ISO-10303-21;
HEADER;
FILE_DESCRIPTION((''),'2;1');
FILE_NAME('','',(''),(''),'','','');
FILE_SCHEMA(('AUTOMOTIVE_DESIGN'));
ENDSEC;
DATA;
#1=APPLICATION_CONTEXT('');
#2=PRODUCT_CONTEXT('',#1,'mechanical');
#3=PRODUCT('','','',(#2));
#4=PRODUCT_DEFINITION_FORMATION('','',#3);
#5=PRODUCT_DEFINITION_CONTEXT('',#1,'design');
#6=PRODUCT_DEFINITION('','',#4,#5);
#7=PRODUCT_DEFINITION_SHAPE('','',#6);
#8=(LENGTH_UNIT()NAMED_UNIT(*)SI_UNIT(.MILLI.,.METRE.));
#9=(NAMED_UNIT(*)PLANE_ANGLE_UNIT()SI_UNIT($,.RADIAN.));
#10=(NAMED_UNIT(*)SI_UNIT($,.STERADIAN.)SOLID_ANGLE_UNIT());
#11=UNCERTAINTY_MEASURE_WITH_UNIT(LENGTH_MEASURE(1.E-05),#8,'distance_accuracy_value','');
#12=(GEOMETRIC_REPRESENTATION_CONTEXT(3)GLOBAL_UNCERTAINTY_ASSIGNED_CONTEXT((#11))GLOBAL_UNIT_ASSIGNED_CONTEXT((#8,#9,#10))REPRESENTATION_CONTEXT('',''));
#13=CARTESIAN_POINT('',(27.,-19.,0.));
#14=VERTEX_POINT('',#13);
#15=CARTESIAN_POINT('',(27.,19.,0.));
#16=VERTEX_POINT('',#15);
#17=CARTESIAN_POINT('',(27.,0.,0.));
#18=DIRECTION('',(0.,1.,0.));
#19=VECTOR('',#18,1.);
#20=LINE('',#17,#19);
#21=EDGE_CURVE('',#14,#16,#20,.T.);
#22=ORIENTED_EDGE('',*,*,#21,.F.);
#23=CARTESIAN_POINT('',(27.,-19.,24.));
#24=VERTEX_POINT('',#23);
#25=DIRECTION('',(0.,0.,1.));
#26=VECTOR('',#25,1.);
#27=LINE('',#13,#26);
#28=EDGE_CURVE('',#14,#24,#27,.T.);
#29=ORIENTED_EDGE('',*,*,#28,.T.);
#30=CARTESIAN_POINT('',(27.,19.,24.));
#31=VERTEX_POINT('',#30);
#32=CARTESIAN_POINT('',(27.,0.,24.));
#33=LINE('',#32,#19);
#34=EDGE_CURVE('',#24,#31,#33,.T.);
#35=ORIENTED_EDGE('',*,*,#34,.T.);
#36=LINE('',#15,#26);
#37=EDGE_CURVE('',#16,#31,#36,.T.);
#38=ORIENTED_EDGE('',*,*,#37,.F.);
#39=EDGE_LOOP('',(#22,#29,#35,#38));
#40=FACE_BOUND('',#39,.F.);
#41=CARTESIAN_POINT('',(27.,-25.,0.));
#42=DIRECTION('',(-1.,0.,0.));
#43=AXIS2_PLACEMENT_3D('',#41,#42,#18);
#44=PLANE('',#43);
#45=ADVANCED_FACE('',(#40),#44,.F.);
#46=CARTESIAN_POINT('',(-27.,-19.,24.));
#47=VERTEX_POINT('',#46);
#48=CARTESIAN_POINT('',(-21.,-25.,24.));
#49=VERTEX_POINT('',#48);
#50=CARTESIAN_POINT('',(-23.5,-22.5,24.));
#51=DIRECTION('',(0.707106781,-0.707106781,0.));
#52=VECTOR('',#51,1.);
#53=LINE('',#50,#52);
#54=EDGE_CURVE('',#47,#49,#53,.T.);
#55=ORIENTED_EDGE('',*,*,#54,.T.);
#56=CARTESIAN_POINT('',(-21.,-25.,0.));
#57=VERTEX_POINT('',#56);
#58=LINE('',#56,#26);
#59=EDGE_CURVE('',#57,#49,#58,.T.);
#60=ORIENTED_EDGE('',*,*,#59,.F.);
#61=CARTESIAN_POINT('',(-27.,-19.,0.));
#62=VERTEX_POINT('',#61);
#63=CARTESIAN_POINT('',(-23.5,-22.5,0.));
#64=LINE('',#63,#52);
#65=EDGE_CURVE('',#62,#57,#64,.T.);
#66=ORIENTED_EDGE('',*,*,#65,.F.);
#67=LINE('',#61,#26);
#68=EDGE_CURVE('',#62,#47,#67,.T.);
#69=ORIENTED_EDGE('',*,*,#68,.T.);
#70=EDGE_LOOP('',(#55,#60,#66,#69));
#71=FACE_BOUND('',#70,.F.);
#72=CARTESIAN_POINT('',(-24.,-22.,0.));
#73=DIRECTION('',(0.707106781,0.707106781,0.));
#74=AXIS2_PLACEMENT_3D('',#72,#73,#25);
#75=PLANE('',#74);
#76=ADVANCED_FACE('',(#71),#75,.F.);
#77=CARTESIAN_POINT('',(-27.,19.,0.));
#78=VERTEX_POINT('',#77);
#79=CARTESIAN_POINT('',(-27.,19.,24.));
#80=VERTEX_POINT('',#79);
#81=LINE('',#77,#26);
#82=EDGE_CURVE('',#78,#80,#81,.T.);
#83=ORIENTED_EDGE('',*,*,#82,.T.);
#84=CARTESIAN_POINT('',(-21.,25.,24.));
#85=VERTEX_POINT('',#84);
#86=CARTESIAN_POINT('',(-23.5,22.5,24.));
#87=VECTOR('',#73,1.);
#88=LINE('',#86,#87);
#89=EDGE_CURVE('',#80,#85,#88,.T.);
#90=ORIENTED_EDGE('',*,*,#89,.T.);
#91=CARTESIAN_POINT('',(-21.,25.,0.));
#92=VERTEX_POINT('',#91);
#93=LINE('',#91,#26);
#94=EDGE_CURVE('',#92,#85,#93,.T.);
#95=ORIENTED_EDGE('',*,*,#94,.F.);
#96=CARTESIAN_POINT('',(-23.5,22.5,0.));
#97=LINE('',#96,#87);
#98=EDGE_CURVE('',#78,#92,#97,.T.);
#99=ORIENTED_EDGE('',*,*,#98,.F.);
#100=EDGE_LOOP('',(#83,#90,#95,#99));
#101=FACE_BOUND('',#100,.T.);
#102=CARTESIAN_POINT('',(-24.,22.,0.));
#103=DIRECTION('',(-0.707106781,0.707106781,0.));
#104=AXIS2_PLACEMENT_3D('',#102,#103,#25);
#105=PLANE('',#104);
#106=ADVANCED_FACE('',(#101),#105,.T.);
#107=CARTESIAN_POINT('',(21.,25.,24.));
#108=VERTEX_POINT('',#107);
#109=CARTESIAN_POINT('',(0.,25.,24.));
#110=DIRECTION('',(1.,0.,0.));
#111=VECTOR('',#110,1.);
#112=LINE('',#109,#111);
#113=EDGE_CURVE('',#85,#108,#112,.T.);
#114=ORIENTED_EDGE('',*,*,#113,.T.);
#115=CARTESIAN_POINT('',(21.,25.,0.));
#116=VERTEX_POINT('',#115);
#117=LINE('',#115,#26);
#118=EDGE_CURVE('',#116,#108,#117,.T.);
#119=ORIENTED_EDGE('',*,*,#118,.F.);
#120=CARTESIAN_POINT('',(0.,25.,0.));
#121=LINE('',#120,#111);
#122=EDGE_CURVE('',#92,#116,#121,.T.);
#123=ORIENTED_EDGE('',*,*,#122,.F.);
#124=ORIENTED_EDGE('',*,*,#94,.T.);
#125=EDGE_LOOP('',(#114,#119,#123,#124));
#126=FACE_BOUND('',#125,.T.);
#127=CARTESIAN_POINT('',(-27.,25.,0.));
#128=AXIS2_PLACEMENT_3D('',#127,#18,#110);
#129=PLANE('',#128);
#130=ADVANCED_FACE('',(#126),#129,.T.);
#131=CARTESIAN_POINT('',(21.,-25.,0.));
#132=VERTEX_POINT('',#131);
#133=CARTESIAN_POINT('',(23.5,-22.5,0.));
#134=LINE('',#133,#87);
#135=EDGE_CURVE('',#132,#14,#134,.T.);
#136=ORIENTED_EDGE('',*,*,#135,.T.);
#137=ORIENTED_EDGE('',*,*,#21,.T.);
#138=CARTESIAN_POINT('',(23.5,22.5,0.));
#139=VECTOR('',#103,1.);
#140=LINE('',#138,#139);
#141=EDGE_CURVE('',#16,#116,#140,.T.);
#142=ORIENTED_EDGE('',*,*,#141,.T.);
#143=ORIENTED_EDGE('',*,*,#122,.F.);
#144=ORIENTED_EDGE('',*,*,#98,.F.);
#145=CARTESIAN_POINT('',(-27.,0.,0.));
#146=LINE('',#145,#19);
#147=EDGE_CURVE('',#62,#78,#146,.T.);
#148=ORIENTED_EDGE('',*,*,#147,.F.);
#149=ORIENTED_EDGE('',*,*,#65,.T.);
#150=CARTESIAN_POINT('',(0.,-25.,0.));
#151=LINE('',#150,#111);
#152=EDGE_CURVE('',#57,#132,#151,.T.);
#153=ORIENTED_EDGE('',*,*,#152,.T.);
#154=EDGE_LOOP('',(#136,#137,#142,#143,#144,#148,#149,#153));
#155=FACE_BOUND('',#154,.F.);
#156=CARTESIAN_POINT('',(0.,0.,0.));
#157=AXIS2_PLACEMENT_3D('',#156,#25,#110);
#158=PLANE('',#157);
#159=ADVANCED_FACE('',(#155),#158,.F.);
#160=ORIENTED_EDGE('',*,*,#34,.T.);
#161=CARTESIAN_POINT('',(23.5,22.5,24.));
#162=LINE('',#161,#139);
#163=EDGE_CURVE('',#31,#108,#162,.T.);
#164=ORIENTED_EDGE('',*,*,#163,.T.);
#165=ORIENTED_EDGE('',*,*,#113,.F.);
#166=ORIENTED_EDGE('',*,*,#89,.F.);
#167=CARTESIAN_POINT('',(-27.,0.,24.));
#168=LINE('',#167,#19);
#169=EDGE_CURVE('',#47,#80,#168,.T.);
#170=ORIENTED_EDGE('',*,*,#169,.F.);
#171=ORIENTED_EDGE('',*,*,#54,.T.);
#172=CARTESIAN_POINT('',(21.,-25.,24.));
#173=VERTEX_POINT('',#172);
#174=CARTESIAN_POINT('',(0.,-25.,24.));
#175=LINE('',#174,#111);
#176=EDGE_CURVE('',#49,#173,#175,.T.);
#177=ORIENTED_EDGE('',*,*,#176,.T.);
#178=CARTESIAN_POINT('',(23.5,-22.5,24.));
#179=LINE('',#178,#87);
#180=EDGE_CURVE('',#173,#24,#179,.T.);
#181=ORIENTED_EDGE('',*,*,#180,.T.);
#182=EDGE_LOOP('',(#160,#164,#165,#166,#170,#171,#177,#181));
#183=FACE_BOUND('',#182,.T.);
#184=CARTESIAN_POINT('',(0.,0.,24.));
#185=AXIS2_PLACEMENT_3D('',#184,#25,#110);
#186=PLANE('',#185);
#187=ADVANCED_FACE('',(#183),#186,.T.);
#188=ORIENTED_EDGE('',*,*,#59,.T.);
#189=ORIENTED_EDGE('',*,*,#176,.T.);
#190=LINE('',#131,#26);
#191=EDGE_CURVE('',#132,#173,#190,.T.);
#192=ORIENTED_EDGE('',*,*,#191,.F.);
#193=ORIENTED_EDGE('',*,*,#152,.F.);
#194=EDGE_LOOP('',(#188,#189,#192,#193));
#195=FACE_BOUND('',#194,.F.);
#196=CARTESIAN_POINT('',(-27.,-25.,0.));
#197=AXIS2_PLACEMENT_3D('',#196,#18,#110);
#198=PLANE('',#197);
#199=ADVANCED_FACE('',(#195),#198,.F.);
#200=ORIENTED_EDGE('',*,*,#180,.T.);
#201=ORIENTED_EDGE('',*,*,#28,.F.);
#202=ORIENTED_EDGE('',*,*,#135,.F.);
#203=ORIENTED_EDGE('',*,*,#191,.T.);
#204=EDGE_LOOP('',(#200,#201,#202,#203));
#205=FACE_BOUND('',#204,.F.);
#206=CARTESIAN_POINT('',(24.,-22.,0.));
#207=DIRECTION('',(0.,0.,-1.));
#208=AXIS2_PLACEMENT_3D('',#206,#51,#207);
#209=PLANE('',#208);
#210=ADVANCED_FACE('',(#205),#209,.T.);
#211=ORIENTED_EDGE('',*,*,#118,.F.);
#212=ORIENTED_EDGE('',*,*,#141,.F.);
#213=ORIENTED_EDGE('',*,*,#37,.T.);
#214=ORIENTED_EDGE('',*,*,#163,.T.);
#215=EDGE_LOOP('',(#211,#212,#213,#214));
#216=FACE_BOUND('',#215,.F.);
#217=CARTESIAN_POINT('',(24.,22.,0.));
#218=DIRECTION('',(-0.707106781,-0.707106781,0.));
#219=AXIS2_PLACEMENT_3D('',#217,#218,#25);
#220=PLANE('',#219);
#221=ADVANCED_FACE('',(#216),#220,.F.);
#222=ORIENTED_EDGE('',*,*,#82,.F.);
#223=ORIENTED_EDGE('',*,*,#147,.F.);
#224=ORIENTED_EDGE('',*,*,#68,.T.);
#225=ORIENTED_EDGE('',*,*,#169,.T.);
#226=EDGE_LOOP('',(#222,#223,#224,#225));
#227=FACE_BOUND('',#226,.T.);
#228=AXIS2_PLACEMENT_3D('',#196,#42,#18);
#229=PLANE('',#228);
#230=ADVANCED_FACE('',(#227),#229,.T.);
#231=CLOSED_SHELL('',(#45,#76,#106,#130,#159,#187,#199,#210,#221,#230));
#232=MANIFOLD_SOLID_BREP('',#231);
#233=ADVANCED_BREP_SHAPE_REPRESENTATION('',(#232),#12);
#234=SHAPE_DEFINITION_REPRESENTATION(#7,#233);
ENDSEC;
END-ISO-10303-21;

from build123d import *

# Parameters (mm, degrees)
F0_W     = 54
F0_H     = 50
F1_DEPTH = 24
F2_SIZE  = 6


with BuildPart() as f1:
    # F0 (on Top) → F1 (new body)
    with BuildSketch(Plane.XY):
        Rectangle(F0_W, F0_H)
    extrude(amount=F1_DEPTH)

    # F2
    f2_edges = [f1.edges().sort_by_distance(p)[0] for p in [
        (-27, 25, 12),
        (27, 25, 12),
        (27, -25, 12),
        (-27, -25, 12),
    ]]
    chamfer(f2_edges, length=F2_SIZE)


solid = f1.part
